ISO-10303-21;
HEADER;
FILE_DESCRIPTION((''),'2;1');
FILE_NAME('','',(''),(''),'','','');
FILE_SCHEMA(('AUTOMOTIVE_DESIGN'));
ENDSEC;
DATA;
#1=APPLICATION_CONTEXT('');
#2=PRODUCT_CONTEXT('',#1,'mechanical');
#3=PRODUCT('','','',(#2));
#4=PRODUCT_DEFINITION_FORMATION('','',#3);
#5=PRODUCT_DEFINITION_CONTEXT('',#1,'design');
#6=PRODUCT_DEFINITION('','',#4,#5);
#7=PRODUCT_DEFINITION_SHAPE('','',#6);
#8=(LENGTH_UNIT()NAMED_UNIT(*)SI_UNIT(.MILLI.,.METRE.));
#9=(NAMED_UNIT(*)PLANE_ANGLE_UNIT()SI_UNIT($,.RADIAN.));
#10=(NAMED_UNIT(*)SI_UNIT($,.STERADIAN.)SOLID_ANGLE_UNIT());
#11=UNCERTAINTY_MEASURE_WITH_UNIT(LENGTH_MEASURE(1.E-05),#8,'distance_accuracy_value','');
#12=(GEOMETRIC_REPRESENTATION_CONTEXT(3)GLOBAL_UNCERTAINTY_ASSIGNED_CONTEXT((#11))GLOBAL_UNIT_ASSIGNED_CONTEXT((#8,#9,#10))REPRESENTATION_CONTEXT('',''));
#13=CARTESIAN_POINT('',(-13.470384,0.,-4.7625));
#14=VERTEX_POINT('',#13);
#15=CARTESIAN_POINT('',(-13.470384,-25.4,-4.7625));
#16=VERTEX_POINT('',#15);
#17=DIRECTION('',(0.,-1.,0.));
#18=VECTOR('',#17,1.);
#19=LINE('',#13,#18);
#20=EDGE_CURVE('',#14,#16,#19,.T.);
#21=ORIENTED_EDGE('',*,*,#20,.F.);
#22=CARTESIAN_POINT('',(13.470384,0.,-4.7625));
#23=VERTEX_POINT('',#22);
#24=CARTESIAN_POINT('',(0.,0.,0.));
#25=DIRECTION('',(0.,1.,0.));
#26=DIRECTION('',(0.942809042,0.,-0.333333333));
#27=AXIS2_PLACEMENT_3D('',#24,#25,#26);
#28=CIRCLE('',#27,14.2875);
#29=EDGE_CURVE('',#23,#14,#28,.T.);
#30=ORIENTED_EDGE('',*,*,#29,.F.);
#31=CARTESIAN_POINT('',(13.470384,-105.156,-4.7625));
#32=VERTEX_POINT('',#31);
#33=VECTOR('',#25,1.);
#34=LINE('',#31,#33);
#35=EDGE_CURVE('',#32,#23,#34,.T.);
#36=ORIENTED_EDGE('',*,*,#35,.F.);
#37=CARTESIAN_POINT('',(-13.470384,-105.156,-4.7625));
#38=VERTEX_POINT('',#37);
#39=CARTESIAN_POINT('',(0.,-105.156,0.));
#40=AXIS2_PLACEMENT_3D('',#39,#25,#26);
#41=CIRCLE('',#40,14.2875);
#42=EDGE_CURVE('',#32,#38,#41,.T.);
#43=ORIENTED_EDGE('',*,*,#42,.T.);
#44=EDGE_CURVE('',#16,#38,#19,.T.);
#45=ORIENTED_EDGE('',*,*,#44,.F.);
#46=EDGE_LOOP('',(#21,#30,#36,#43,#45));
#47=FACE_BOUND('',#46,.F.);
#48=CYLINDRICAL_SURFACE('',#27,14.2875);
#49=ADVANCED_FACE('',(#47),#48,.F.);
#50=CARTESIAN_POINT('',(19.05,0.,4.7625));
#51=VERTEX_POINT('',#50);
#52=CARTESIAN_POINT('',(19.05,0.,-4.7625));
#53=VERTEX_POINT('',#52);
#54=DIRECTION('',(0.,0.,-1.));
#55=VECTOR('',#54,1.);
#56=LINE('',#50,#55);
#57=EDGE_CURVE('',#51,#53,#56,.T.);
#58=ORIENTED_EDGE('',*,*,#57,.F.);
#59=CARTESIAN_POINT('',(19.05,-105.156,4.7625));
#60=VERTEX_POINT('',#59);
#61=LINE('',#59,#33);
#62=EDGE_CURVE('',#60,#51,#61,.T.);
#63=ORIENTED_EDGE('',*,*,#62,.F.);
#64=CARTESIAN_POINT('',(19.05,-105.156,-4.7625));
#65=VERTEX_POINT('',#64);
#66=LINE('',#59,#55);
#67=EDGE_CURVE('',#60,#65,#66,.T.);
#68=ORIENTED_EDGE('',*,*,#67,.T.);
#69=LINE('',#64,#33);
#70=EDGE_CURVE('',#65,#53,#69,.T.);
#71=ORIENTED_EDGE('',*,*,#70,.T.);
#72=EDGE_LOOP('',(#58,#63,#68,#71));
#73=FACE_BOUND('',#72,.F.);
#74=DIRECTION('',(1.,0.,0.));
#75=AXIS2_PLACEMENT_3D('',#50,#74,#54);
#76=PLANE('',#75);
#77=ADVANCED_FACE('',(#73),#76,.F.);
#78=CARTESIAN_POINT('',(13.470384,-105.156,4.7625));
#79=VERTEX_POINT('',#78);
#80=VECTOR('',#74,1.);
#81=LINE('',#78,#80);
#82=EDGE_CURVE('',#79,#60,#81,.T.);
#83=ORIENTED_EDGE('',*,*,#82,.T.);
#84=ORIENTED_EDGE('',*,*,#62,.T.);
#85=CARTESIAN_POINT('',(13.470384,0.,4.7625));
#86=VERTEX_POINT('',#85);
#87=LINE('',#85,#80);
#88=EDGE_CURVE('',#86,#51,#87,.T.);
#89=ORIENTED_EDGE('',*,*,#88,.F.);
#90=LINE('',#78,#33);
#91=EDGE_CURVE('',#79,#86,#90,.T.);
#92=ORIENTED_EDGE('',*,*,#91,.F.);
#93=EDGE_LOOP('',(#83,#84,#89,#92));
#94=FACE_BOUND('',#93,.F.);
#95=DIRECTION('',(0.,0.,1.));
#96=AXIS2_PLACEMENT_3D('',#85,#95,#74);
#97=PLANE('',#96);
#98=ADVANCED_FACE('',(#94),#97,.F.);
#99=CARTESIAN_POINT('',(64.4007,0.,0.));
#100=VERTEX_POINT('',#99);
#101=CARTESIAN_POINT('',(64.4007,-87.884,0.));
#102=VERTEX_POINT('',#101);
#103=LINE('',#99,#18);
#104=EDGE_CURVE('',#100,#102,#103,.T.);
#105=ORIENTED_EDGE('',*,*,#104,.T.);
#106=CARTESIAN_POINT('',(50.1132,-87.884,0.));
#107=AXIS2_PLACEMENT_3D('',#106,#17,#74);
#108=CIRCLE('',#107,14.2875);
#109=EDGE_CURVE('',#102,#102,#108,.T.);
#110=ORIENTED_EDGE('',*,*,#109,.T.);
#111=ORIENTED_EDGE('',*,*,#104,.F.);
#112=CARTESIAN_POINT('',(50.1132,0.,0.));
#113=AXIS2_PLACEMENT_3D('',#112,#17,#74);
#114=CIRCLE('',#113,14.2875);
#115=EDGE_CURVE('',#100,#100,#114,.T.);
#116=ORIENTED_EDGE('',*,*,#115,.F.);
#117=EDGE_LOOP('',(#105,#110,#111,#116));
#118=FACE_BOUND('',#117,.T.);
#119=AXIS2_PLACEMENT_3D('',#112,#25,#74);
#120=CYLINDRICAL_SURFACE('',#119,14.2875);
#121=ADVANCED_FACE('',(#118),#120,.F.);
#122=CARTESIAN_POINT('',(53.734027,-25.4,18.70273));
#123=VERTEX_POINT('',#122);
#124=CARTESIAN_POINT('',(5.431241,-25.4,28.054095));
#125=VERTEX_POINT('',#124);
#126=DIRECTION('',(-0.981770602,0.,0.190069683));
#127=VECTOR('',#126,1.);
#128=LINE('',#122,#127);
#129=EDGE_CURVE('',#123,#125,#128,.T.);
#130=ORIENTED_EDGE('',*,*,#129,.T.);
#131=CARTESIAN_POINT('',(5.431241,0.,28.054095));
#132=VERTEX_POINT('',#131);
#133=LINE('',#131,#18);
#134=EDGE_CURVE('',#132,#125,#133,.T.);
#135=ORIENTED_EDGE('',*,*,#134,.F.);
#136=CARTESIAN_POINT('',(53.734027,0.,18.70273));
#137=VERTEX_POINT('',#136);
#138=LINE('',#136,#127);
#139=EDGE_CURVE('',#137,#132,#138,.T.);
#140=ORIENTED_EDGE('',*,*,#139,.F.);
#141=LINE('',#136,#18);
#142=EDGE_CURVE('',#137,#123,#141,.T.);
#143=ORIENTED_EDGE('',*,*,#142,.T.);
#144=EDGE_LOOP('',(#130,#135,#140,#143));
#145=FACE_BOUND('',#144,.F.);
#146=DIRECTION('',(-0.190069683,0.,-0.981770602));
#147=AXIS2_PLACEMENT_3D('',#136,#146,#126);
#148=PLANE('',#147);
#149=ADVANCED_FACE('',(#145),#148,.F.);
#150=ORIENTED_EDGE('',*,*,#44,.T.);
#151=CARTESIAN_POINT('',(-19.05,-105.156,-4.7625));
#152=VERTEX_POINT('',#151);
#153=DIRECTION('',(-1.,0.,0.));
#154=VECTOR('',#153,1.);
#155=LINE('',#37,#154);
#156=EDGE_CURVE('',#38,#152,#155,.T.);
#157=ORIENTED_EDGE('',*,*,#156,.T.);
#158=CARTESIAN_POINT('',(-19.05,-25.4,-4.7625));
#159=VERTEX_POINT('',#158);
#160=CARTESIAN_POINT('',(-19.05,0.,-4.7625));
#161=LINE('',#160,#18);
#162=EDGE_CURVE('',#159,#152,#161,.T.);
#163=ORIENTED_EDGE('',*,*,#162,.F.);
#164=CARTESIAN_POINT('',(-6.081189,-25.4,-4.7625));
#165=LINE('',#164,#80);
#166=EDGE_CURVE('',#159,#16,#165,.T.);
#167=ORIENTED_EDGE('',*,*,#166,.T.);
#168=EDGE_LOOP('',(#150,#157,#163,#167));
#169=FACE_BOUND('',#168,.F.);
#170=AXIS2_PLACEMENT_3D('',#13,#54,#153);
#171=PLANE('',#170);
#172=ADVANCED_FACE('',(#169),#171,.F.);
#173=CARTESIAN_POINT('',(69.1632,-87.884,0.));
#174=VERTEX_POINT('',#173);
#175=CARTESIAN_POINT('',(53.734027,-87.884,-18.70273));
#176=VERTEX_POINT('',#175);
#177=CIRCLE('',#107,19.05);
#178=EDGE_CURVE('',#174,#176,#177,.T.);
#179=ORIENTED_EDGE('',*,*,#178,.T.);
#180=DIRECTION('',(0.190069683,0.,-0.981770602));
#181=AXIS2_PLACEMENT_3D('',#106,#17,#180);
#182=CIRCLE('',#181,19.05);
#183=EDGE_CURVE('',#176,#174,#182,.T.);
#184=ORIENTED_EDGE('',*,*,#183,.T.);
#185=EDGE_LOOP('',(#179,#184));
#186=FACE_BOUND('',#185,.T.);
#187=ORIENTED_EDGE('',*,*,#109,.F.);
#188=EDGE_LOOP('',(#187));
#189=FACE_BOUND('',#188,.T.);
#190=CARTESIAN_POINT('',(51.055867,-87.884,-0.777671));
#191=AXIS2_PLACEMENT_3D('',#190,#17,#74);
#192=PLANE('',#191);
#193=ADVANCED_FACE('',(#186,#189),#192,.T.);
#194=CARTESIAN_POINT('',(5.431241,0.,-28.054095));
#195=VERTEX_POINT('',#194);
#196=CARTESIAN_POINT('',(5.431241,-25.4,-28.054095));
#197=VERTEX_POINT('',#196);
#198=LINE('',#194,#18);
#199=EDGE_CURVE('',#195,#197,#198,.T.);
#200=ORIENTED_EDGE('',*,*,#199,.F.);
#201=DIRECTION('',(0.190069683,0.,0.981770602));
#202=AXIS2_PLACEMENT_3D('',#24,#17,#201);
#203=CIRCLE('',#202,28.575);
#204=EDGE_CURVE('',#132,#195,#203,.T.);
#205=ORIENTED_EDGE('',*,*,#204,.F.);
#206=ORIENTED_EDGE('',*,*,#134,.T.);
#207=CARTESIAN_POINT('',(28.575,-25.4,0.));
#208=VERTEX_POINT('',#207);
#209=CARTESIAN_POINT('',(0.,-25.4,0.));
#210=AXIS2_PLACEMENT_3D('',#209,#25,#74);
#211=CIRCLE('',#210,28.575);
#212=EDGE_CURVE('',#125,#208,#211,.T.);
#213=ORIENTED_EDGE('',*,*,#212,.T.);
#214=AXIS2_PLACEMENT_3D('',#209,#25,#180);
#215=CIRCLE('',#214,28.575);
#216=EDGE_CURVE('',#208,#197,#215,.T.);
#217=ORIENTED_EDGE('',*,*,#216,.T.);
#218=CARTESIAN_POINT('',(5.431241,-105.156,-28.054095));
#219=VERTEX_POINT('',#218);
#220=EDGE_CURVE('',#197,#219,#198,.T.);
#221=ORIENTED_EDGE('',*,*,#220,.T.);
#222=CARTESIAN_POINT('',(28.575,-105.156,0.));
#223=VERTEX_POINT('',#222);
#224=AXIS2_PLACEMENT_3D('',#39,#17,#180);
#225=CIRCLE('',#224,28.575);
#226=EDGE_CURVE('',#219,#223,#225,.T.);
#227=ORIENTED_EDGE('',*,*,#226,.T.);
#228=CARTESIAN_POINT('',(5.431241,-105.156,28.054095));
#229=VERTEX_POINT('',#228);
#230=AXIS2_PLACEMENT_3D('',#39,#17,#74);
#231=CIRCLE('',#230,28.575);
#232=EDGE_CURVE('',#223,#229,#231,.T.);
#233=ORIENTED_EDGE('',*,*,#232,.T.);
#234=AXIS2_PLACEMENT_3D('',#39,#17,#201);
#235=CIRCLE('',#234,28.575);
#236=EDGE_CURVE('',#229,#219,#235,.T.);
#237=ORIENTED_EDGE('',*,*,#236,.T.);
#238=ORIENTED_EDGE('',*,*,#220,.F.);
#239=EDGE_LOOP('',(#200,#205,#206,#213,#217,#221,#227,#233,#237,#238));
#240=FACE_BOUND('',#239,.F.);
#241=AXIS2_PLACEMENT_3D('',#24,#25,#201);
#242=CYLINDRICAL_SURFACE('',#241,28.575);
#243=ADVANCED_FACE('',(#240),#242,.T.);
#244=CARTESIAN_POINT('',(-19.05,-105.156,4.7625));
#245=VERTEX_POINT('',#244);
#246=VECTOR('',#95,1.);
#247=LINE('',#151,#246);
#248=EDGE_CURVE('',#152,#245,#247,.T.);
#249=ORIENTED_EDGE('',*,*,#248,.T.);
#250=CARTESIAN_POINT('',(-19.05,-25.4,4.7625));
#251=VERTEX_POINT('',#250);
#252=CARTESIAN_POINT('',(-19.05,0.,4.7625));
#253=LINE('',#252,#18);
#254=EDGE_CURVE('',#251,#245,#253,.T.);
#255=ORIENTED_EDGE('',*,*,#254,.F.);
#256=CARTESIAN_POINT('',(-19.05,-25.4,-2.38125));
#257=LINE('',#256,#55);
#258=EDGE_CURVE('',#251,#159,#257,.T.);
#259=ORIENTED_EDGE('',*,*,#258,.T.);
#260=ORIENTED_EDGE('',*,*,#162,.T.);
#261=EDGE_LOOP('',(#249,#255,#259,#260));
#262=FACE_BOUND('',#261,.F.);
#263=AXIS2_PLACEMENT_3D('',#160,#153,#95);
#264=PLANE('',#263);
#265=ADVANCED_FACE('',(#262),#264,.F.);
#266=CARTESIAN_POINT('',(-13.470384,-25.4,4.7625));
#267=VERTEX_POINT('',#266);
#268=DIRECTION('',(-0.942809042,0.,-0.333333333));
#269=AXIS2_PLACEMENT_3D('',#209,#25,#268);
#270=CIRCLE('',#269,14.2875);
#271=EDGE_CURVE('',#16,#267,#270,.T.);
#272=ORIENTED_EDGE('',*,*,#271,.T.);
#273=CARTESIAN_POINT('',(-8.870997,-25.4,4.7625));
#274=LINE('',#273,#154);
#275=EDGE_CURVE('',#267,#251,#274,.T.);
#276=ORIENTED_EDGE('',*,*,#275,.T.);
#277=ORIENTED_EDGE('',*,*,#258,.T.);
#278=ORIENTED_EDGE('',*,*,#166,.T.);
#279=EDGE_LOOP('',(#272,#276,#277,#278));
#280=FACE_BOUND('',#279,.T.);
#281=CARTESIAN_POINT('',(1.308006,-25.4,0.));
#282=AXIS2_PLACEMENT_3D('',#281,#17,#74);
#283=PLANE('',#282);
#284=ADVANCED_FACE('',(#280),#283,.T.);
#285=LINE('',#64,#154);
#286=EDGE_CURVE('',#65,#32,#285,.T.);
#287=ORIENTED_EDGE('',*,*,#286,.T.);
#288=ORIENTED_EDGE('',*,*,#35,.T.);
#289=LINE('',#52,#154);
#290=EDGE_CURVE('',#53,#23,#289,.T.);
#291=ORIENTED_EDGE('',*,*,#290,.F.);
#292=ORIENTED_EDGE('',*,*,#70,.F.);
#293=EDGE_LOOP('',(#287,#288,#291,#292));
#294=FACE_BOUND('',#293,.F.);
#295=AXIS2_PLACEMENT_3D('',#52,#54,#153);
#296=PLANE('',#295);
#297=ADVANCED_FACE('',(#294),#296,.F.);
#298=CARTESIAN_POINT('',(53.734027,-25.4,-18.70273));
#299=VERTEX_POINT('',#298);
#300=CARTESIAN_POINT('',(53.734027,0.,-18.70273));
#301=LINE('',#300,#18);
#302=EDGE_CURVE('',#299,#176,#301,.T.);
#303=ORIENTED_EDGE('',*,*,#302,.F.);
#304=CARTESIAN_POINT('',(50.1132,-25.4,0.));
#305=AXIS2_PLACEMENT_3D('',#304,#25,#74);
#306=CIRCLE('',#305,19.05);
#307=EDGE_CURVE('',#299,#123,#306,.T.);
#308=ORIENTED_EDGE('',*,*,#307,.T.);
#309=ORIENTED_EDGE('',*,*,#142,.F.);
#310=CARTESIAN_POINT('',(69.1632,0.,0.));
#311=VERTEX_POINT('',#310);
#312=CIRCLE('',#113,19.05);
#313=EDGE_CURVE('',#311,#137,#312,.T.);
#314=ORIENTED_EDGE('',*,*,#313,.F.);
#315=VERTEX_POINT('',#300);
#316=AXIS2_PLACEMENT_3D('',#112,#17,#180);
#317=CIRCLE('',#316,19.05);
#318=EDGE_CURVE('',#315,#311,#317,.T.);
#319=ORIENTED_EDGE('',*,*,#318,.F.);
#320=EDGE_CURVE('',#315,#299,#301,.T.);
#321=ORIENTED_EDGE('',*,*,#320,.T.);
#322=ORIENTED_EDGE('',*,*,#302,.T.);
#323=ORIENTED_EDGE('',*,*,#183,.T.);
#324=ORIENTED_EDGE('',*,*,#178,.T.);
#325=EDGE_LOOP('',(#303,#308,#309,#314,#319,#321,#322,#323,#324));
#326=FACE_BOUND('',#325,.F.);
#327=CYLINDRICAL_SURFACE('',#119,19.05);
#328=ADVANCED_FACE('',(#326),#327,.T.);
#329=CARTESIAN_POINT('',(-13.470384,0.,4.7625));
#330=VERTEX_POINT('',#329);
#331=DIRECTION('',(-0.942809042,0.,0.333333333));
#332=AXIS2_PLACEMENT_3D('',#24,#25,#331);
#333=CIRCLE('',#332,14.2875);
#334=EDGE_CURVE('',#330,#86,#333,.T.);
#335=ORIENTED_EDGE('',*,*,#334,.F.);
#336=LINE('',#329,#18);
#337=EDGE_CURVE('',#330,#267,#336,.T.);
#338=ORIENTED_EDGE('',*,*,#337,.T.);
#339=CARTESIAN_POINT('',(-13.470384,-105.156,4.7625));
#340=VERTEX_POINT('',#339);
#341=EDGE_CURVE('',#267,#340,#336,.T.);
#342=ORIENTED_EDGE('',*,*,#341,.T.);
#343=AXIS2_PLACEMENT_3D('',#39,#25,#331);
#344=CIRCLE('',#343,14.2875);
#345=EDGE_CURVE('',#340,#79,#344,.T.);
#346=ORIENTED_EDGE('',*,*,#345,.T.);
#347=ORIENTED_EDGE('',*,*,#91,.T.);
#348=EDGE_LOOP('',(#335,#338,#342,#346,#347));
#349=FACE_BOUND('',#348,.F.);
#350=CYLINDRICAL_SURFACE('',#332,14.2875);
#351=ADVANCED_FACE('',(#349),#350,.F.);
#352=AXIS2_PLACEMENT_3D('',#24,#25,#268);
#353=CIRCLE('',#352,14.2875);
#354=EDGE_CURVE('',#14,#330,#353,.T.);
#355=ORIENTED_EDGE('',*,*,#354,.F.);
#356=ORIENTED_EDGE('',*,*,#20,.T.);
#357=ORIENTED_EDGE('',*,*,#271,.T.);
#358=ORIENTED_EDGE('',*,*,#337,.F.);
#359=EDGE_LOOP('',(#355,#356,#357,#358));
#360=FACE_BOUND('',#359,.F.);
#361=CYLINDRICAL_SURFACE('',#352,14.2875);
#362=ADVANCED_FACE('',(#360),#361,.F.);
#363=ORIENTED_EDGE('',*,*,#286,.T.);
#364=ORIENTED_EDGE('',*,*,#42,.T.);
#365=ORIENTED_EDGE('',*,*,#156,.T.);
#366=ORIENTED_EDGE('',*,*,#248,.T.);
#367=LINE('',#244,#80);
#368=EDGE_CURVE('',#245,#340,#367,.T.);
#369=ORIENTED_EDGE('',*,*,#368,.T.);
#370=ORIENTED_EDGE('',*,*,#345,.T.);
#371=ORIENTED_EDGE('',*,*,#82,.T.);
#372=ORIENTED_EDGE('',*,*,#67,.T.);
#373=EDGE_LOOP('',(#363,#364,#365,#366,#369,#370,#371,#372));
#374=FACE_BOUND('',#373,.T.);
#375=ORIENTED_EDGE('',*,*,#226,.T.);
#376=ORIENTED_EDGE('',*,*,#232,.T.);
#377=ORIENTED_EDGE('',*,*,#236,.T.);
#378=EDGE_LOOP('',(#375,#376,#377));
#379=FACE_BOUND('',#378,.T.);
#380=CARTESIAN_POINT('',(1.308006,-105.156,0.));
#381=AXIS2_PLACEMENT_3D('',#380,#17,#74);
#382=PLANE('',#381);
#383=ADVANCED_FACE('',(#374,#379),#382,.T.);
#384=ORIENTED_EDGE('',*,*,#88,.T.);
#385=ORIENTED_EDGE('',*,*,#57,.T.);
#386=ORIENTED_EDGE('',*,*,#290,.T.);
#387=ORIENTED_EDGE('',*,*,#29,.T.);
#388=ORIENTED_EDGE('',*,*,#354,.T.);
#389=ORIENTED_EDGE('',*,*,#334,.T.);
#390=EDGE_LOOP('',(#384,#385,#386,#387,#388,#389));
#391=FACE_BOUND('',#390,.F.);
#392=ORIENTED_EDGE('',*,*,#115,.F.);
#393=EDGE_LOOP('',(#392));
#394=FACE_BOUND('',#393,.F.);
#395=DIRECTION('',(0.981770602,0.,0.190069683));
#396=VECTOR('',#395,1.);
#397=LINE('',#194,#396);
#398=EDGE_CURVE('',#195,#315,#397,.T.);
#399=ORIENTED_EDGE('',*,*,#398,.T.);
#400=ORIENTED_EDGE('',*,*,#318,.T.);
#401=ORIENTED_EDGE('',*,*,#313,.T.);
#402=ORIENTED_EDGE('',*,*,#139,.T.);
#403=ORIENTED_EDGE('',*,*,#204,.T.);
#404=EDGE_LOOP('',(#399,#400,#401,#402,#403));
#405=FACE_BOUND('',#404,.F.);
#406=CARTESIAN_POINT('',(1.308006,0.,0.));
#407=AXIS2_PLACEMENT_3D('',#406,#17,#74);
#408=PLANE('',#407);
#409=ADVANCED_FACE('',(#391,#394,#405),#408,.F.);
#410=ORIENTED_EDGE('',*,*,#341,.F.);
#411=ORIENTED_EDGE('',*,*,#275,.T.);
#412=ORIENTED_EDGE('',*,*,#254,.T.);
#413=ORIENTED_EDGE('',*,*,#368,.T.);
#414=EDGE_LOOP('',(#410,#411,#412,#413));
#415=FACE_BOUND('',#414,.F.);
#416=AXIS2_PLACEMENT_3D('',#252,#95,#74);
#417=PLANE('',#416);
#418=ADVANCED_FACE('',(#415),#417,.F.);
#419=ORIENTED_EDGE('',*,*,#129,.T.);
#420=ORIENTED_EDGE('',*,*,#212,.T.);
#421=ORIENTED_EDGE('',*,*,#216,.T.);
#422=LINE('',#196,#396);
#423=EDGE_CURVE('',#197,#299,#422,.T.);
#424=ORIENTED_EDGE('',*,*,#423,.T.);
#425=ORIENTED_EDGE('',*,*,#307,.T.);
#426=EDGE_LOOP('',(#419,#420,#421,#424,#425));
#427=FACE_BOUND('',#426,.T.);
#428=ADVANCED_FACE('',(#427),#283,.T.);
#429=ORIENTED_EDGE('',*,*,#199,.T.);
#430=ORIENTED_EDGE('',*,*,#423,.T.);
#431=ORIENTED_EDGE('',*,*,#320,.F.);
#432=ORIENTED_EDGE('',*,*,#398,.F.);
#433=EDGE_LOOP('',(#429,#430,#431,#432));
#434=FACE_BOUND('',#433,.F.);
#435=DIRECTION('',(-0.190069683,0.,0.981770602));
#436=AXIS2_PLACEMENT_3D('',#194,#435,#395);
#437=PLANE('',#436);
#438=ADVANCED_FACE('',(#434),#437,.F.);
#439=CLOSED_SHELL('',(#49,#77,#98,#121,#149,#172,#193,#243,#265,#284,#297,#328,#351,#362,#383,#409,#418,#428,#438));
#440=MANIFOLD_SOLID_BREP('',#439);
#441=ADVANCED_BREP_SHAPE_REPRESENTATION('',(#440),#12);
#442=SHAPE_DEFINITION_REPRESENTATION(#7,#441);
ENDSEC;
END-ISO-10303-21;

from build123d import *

# Parameters (mm, degrees)
F0_R     = 14.2875
F1_DEPTH = 25.4
F2_DEPTH = 105.156
F3_DEPTH = 87.884


with BuildPart() as f1:
    # F0 (on Front) → F1 (new body)
    with BuildSketch(Plane.XZ):
        with BuildLine():
            ThreePointArc((5.4312411777, -28.0540949644), (22.0423268015, -18.1842364199), (28.575, 0))
            ThreePointArc((28.575, 0), (22.0423268015, 18.1842364199), (5.4312411777, 28.0540949644))
            ThreePointArc((5.4312411777, 28.0540949644), (-28.575, 0), (5.4312411777, -28.0540949644))
        make_face()
        with BuildLine():
            ThreePointArc((-13.4703841816, 4.7625), (0, 14.2875), (13.4703841816, 4.7625))
            Line((13.4703841816, 4.7625), (19.05, 4.7625))
            Line((19.05, 4.7625), (19.05, -4.7625))
            Line((19.05, -4.7625), (13.4703841816, -4.7625))
            ThreePointArc((13.4703841816, -4.7625), (0, -14.2875), (-13.4703841816, -4.7625))
            Line((-13.4703841816, -4.7625), (-19.05, -4.7625))
            Line((-19.05, -4.7625), (-19.05, 4.7625))
            Line((-19.05, 4.7625), (-13.4703841816, 4.7625))
        make_face(mode=Mode.SUBTRACT)
        with BuildLine():
            ThreePointArc((69.1631999291, 0), (64.8080844634, 12.1228242799), (53.7340273808, 18.7027299762))
            ThreePointArc((53.7340273808, 18.7027299762), (31.0631999291, 0), (53.7340273808, -18.7027299762))
            ThreePointArc((53.7340273808, -18.7027299762), (64.8080844634, -12.1228242799), (69.1631999291, 0))
        make_face()
        with Locations((50.1131999291, 0)):
            Circle(F0_R, mode=Mode.SUBTRACT)
        with BuildLine():
            ThreePointArc((5.4312411777, 28.0540949644), (22.0423268015, 18.1842364199), (28.575, 0))
            ThreePointArc((28.575, 0), (22.0423268015, -18.1842364199), (5.4312411777, -28.0540949644))
            Line((5.4312411777, -28.0540949644), (53.7340273808, -18.7027299762))
            ThreePointArc((53.7340273808, -18.7027299762), (31.0631999291, 0), (53.7340273808, 18.7027299762))
            Line((53.7340273808, 18.7027299762), (5.4312411777, 28.0540949644))
        make_face()
        with BuildLine():
            ThreePointArc((-13.4703841816, -4.7625), (-14.2875, 0), (-13.4703841816, 4.7625))
            Line((-13.4703841816, 4.7625), (-19.05, 4.7625))
            Line((-19.05, 4.7625), (-19.05, -4.7625))
            Line((-19.05, -4.7625), (-13.4703841816, -4.7625))
        make_face()
    extrude(amount=F1_DEPTH)

    # F0 (on Front) → F2 (join)
    with BuildSketch(Plane.XZ):
        with BuildLine():
            ThreePointArc((5.4312411777, -28.0540949644), (22.0423268015, -18.1842364199), (28.575, 0))
            ThreePointArc((28.575, 0), (22.0423268015, 18.1842364199), (5.4312411777, 28.0540949644))
            ThreePointArc((5.4312411777, 28.0540949644), (-28.575, 0), (5.4312411777, -28.0540949644))
        make_face()
        with BuildLine():
            ThreePointArc((-13.4703841816, 4.7625), (0, 14.2875), (13.4703841816, 4.7625))
            Line((13.4703841816, 4.7625), (19.05, 4.7625))
            Line((19.05, 4.7625), (19.05, -4.7625))
            Line((19.05, -4.7625), (13.4703841816, -4.7625))
            ThreePointArc((13.4703841816, -4.7625), (0, -14.2875), (-13.4703841816, -4.7625))
            Line((-13.4703841816, -4.7625), (-19.05, -4.7625))
            Line((-19.05, -4.7625), (-19.05, 4.7625))
            Line((-19.05, 4.7625), (-13.4703841816, 4.7625))
        make_face(mode=Mode.SUBTRACT)
    extrude(amount=F2_DEPTH)

    # F0 (on Front) → F3 (join)
    with BuildSketch(Plane.XZ):
        with BuildLine():
            ThreePointArc((69.1631999291, 0), (64.8080844634, 12.1228242799), (53.7340273808, 18.7027299762))
            ThreePointArc((53.7340273808, 18.7027299762), (31.0631999291, 0), (53.7340273808, -18.7027299762))
            ThreePointArc((53.7340273808, -18.7027299762), (64.8080844634, -12.1228242799), (69.1631999291, 0))
        make_face()
        with Locations((50.1131999291, 0)):
            Circle(F0_R, mode=Mode.SUBTRACT)
    extrude(amount=F3_DEPTH)


solid = f1.part
